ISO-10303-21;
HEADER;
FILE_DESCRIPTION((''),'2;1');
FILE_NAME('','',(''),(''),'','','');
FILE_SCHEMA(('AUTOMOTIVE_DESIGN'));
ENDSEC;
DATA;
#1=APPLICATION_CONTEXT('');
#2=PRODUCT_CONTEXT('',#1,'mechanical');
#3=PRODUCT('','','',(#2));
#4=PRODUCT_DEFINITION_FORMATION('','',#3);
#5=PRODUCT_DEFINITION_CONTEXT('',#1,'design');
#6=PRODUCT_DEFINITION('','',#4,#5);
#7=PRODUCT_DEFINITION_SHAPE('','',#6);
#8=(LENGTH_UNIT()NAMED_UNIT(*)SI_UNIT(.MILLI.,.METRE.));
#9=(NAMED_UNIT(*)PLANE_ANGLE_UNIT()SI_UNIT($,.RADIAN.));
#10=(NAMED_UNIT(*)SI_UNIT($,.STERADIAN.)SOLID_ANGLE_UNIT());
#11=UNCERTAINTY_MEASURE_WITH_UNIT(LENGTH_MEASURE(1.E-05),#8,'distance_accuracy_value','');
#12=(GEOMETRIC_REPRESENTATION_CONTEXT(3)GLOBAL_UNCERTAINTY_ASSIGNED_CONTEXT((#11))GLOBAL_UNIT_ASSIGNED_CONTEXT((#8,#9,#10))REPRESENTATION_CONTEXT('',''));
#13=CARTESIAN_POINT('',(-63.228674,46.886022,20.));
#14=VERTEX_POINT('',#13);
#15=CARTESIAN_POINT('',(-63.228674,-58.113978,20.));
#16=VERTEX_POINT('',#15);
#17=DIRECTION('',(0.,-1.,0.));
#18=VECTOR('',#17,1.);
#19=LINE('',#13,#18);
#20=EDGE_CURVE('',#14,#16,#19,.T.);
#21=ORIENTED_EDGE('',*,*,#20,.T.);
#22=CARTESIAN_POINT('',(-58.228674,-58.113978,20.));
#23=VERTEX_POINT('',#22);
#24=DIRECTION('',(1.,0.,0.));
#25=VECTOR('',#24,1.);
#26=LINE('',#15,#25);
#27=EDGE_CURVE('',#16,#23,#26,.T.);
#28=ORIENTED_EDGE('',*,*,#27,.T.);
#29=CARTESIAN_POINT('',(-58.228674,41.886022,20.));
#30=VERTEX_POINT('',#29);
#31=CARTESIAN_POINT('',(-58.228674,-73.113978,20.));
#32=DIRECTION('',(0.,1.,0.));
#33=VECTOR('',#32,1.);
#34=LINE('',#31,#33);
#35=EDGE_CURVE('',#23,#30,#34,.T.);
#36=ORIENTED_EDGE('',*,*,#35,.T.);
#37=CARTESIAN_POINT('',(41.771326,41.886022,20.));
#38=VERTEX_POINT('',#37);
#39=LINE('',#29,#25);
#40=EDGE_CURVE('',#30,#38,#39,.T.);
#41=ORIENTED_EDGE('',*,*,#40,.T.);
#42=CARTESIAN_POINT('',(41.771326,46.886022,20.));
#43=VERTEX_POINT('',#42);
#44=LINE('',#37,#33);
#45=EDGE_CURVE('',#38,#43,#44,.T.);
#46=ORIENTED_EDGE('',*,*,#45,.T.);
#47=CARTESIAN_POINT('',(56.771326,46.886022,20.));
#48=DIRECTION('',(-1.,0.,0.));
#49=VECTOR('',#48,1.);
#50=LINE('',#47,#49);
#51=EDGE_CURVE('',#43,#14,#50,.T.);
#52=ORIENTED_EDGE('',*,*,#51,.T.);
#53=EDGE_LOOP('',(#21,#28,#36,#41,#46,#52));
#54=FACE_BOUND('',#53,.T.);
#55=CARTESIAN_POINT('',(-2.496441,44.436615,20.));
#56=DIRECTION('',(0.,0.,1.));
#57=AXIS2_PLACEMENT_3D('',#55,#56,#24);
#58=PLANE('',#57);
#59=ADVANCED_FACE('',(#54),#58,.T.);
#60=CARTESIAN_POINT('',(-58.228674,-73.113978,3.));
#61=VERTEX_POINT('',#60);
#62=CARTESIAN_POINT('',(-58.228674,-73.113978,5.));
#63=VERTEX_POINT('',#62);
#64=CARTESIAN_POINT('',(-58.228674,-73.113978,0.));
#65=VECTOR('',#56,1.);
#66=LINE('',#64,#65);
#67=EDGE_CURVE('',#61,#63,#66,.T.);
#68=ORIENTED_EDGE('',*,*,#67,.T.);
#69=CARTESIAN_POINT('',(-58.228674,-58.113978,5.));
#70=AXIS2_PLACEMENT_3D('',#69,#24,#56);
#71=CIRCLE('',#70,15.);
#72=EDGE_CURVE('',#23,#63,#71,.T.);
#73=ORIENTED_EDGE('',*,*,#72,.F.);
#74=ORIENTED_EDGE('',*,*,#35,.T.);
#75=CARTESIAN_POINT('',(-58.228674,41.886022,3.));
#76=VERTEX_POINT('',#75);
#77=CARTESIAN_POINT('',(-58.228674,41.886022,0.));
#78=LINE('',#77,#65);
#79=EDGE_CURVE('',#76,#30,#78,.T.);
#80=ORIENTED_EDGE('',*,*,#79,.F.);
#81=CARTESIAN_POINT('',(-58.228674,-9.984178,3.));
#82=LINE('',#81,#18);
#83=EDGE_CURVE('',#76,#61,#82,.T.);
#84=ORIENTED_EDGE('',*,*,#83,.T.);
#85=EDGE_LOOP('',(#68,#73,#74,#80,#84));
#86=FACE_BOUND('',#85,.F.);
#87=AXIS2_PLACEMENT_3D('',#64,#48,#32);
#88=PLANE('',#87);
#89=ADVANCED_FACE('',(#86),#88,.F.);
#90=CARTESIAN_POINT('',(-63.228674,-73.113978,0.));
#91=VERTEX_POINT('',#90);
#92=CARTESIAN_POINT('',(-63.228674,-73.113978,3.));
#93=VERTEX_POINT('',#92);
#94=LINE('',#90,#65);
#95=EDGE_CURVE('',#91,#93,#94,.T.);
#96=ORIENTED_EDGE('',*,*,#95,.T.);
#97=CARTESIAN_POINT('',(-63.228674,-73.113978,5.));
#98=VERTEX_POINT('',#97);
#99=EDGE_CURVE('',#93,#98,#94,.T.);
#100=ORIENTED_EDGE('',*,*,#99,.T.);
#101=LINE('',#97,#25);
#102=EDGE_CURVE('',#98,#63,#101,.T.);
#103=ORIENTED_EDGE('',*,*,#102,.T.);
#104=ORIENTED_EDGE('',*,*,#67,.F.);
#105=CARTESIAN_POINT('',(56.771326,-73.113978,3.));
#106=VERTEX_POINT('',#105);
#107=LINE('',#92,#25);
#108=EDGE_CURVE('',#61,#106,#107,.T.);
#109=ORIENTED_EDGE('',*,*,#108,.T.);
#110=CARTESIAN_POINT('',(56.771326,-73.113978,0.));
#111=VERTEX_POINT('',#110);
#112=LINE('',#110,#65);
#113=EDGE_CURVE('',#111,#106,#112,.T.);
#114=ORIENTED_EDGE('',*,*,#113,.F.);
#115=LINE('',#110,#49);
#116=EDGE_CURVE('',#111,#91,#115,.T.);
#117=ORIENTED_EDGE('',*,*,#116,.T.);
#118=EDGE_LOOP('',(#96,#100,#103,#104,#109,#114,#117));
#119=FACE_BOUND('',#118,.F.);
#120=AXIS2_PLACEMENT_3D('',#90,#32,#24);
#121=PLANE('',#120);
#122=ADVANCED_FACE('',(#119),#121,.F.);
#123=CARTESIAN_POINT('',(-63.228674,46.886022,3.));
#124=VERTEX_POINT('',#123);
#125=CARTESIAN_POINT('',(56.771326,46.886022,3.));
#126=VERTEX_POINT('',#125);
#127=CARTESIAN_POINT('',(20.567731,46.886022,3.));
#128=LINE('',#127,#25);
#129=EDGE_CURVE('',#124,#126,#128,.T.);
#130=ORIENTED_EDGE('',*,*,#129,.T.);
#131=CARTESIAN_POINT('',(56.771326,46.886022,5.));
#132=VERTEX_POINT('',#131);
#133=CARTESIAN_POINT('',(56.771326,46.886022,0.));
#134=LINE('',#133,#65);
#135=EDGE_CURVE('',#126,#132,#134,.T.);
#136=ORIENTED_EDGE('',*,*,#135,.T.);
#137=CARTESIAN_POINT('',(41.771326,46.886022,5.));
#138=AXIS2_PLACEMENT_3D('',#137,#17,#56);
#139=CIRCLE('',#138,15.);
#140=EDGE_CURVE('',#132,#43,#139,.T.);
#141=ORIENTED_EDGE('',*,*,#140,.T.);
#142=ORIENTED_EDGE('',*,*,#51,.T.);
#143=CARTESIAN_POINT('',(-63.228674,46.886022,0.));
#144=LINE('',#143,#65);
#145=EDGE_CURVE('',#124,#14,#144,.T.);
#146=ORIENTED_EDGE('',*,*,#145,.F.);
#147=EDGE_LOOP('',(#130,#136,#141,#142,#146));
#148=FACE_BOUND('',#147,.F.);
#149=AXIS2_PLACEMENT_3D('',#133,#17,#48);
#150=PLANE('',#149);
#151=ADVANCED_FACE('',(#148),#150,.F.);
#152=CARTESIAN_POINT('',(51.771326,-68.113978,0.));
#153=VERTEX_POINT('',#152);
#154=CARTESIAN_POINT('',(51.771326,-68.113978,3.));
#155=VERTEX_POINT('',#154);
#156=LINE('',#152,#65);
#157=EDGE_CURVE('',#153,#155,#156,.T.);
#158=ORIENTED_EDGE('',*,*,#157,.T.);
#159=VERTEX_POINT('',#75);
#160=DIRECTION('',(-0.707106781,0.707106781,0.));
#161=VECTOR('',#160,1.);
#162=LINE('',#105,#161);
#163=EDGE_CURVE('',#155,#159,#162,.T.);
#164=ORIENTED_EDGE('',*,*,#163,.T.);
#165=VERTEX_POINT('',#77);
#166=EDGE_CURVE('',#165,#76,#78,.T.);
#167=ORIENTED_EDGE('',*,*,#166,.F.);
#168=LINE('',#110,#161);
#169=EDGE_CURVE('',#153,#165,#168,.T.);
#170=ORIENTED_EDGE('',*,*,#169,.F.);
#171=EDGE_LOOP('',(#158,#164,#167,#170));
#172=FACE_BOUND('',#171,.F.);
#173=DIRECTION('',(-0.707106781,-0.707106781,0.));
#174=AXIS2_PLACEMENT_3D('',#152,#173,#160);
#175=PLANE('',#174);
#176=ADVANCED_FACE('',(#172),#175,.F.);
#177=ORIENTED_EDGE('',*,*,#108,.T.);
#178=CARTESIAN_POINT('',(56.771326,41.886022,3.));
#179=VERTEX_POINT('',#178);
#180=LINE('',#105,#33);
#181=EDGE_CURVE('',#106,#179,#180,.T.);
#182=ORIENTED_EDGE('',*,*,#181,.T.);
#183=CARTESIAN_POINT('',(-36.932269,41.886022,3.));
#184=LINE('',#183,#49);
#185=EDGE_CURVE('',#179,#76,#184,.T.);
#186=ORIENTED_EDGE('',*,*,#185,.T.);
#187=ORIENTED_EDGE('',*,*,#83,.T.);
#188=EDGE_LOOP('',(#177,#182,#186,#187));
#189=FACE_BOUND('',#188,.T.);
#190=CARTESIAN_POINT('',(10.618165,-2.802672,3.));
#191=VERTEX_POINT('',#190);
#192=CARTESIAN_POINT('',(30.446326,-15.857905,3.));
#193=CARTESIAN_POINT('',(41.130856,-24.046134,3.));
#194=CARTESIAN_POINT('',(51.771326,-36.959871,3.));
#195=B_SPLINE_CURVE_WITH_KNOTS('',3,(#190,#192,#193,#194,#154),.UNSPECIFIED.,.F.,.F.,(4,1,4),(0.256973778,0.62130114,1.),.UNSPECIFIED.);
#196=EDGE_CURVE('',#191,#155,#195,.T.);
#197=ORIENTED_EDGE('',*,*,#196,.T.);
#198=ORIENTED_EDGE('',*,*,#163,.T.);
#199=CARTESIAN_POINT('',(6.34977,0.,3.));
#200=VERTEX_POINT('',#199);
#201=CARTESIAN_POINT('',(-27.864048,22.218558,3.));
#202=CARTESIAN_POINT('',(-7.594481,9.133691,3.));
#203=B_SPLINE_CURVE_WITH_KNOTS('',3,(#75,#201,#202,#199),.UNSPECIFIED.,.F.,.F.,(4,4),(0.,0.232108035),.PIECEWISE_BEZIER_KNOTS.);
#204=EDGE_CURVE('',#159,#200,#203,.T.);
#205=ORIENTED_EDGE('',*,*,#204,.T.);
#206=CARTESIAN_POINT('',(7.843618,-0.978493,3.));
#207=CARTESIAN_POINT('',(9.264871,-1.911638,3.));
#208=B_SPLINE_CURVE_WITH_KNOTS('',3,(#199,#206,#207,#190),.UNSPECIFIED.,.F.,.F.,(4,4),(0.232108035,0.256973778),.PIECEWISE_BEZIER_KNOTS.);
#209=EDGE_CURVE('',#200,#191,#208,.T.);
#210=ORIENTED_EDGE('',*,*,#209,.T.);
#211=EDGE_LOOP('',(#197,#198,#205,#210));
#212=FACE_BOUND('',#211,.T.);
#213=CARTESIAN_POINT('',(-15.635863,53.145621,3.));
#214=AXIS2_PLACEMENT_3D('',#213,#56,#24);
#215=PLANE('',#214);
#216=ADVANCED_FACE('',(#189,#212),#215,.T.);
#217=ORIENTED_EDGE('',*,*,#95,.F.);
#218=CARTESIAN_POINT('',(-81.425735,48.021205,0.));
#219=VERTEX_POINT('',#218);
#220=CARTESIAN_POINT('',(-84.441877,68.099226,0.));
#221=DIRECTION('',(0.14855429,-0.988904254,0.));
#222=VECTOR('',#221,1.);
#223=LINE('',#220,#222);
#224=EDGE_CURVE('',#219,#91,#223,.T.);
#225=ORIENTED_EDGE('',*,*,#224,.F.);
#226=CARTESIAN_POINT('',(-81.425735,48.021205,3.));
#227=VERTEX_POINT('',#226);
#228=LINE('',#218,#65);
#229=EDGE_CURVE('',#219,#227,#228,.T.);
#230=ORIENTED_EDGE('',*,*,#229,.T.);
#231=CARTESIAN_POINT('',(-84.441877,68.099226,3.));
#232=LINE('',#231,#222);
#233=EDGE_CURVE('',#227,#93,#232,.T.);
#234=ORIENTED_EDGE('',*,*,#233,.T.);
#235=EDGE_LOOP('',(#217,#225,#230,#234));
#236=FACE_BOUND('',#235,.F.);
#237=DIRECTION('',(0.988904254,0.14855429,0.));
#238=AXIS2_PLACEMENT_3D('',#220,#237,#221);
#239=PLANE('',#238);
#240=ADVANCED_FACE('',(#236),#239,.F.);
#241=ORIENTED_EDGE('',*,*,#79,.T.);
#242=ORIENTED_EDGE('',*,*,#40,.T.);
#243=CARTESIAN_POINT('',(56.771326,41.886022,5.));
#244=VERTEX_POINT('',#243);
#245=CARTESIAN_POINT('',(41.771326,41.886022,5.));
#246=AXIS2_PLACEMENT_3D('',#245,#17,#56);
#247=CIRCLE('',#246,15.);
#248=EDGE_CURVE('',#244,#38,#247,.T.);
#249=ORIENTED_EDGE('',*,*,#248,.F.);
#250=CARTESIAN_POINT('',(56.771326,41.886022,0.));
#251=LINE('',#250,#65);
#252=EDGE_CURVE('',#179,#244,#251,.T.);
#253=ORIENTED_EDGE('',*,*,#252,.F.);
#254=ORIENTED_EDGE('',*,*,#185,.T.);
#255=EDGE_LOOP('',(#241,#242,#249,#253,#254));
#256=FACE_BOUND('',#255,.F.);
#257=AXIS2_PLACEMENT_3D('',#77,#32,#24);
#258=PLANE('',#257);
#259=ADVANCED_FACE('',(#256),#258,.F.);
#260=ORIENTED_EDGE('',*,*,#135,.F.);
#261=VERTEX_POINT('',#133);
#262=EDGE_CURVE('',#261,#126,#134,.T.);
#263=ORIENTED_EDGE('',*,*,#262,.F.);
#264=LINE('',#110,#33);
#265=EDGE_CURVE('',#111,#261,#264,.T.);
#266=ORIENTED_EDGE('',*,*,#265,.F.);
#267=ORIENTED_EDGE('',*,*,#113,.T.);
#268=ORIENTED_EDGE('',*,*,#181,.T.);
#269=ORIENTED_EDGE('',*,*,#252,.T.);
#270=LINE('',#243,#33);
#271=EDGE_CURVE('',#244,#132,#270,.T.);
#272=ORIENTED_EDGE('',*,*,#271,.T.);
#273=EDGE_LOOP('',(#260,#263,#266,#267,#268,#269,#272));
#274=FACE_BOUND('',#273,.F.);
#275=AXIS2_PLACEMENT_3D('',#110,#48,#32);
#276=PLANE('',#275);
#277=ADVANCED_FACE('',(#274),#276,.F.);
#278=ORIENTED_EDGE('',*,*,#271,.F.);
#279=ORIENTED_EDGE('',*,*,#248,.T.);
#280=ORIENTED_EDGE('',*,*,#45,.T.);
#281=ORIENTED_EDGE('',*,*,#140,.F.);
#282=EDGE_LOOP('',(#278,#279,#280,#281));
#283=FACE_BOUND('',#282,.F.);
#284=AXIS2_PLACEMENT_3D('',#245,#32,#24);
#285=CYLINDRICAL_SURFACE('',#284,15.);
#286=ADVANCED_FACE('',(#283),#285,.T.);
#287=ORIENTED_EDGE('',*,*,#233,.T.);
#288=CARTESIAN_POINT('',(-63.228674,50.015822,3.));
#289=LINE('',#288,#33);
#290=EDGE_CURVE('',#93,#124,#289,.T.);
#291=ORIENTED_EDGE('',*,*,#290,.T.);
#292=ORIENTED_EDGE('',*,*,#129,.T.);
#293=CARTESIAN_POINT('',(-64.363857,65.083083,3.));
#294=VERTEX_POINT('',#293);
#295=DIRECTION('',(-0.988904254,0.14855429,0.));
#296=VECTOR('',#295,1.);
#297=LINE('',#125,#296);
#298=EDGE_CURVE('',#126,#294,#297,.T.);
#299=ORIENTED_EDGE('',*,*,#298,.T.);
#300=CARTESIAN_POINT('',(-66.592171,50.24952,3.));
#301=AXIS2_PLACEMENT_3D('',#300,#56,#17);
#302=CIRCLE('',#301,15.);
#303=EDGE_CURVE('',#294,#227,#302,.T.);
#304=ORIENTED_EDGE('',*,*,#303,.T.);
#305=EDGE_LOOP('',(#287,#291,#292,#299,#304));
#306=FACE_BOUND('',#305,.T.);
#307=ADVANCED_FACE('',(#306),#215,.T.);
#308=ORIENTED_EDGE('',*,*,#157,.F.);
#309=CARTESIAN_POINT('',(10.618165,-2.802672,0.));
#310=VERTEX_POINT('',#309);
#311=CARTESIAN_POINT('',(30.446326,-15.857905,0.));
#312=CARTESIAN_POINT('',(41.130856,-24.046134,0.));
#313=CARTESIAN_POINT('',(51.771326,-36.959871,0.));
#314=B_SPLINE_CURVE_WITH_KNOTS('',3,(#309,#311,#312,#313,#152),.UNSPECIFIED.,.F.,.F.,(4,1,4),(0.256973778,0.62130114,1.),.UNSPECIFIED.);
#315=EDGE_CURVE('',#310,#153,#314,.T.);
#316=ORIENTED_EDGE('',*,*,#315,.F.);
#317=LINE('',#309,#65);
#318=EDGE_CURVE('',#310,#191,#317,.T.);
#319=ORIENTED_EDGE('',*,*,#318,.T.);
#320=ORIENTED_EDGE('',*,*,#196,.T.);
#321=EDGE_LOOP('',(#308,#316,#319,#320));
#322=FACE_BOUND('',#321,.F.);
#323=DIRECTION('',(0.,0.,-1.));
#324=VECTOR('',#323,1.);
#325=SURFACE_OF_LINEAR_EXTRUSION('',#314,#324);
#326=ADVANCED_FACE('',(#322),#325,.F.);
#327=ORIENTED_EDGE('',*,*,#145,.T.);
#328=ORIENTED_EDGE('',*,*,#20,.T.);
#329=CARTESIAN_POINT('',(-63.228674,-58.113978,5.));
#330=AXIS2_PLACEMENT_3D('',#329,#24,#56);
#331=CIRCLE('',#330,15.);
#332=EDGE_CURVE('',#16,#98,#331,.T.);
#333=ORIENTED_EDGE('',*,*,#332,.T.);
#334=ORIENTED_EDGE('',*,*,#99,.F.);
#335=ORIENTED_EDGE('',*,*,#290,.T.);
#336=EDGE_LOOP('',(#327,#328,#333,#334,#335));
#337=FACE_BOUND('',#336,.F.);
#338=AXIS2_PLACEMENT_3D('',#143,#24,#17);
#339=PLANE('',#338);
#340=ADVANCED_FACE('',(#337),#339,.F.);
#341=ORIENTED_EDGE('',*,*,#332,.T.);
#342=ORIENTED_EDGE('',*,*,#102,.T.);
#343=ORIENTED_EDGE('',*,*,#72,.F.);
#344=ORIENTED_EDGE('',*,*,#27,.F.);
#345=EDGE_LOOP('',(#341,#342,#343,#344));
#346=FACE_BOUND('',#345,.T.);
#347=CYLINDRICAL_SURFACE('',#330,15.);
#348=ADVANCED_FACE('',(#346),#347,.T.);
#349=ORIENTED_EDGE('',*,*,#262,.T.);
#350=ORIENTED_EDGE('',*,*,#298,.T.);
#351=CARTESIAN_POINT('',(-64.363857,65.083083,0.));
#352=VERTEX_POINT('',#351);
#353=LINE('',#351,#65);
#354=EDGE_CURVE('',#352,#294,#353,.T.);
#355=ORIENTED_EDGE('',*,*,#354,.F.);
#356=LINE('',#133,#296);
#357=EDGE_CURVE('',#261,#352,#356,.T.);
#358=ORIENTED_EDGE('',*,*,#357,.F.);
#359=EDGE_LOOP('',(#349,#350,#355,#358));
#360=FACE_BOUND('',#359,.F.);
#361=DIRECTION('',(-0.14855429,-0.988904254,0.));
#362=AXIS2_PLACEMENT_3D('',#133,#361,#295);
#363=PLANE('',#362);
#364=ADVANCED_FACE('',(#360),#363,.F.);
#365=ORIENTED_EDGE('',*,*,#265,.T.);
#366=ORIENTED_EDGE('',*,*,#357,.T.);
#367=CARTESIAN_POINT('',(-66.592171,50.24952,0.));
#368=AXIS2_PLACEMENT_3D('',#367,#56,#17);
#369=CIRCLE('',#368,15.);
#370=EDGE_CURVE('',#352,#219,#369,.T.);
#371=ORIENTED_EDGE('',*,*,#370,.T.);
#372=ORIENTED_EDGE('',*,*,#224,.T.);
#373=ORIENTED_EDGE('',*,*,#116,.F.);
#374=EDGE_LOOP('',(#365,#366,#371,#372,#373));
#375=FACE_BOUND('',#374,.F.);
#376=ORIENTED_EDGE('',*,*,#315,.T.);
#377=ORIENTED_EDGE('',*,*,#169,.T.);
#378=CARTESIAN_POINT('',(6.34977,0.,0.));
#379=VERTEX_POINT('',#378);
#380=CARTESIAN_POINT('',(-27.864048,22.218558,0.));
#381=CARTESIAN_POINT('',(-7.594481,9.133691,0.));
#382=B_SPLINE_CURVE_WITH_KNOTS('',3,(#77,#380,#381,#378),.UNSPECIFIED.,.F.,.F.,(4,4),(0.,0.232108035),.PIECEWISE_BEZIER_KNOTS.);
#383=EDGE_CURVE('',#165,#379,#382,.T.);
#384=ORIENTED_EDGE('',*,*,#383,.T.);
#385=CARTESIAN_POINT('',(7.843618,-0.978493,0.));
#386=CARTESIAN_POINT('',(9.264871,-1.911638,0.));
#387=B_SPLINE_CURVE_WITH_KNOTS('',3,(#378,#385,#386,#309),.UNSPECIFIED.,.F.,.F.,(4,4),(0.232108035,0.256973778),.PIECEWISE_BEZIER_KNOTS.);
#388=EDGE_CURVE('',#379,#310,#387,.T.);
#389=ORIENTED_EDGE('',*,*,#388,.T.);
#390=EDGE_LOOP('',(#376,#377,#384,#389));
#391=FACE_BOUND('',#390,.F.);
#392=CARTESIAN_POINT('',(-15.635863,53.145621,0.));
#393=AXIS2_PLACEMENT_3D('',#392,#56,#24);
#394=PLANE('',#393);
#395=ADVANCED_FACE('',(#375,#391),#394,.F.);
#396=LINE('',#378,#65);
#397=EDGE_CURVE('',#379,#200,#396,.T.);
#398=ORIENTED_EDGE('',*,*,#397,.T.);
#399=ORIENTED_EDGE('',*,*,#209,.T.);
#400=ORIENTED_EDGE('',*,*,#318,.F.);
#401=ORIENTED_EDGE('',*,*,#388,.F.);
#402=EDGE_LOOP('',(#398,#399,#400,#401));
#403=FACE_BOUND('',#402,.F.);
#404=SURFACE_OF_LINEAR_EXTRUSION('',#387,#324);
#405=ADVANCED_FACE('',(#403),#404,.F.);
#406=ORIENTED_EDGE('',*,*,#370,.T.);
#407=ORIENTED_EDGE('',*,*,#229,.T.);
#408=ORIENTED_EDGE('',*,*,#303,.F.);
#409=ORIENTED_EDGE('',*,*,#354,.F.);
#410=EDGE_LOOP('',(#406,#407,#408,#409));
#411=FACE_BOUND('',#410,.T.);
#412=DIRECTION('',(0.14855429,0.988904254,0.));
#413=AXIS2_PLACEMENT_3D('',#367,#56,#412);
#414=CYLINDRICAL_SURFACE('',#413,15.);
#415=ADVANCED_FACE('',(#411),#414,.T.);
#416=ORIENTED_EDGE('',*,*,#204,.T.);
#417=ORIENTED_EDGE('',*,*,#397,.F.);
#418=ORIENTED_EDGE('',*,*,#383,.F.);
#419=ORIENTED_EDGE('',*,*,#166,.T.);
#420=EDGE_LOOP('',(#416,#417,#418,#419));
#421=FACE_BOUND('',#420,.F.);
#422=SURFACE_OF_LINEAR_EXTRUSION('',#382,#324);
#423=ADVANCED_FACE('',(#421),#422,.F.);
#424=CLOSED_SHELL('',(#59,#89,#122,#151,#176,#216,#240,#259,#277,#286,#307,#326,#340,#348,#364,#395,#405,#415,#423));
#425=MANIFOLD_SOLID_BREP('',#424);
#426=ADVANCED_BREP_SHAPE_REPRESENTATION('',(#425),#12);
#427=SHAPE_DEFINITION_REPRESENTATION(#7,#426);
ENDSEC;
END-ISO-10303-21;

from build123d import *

# Parameters (mm, degrees)
F1_DEPTH = 3
F2_DEPTH = 20
F3_R     = 15


with BuildPart() as f1:
    # F0 (on Top) → F1 (new body)
    with BuildSketch(Plane.XY):
        Polygon((-84.4418774851, 68.0992258621), (-63.2286740495, 46.8860224265), (56.7713259505, 46.8860224265), align=None)
        Polygon((-63.2286740495, -73.1139775735), (-63.2286740495, 46.8860224265), (-84.4418774851, 68.0992258621), align=None)
        Polygon((-4.9964410025, -11.3462106205), (-58.2286740495, 41.8860224265), (-58.2286740495, -64.5784436676), align=None)
        with BuildLine():
            Line((48.2357920445, 41.8860224265), (-58.2286740495, 41.8860224265))
            add(Edge.make_bspline(
                [(-58.2286740495, 41.8860224265), (-27.8640476191, 22.2185579574), (-7.5944812554, 9.133690918), (6.3497696181, 0)],
                knots=[0, 0, 0, 0, 0.2321080347, 0.2321080347, 0.2321080347, 0.2321080347], degree=3))
            Line((6.3497696181, 0), (48.2357920445, 41.8860224265))
        make_face()
        Polygon((56.7713259505, 46.8860224265), (-63.2286740495, 46.8860224265), (-58.2286740495, 41.8860224265), (48.2357920445, 41.8860224265), (51.7713259505, 41.8860224265), (56.7713259505, 41.8860224265), align=None)
        Polygon((-58.2286740495, 41.8860224265), (-63.2286740495, 46.8860224265), (-63.2286740495, -73.1139775735), (-58.2286740495, -73.1139775735), (-58.2286740495, -68.1139775735), (-58.2286740495, -64.5784436676), align=None)
        Polygon((-1.4609070965, -14.8817445265), (-4.9964410025, -11.3462106205), (-58.2286740495, -64.5784436676), (-58.2286740495, -68.1139775735), (-54.6931401436, -68.1139775735), align=None)
        Polygon((51.7713259505, -68.1139775735), (-1.4609070965, -14.8817445265), (-54.6931401436, -68.1139775735), align=None)
        Polygon((-58.2286740495, -68.1139775735), (-58.2286740495, -73.1139775735), (56.7713259505, -73.1139775735), (51.7713259505, -68.1139775735), (-54.6931401436, -68.1139775735), align=None)
        Polygon((56.7713259505, -73.1139775735), (56.7713259505, 41.8860224265), (51.7713259505, 41.8860224265), (51.7713259505, 38.3504885206), (51.7713259505, -68.1139775735), align=None)
        with BuildLine():
            Line((51.7713259505, 38.3504885206), (10.6181651037, -2.8026723262))
            add(Edge.make_bspline(
                [(10.6181651037, -2.8026723262), (30.4463258159, -15.8579047438), (41.1308559966, -24.0461336089), (51.7713259505, -36.9598713142), (51.7713259505, -68.1139775735)],
                knots=[0.2569737781, 0.2569737781, 0.2569737781, 0.2569737781, 0.6213011396, 1, 1, 1, 1], degree=3))
            Line((51.7713259505, -68.1139775735), (51.7713259505, 38.3504885206))
        make_face()
        with BuildLine():
            Line((51.7713259505, 41.8860224265), (48.2357920445, 41.8860224265))
            Line((48.2357920445, 41.8860224265), (6.3497696181, 0))
            add(Edge.make_bspline(
                [(6.3497696181, 0), (7.8436177985, -0.9784926908), (9.2648713079, -1.9116383422), (10.6181651037, -2.8026723262)],
                knots=[0.2321080347, 0.2321080347, 0.2321080347, 0.2321080347, 0.2569737781, 0.2569737781, 0.2569737781, 0.2569737781], degree=3))
            Line((10.6181651037, -2.8026723262), (51.7713259505, 38.3504885206))
            Line((51.7713259505, 38.3504885206), (51.7713259505, 41.8860224265))
        make_face()
    extrude(amount=F1_DEPTH)

    # F0 (on Top) → F2 (join)
    with BuildSketch(Plane.XY):
        Polygon((56.7713259505, 46.8860224265), (-63.2286740495, 46.8860224265), (-58.2286740495, 41.8860224265), (48.2357920445, 41.8860224265), (51.7713259505, 41.8860224265), (56.7713259505, 41.8860224265), align=None)
        Polygon((-58.2286740495, 41.8860224265), (-63.2286740495, 46.8860224265), (-63.2286740495, -73.1139775735), (-58.2286740495, -73.1139775735), (-58.2286740495, -68.1139775735), (-58.2286740495, -64.5784436676), align=None)
    extrude(amount=F2_DEPTH)

    # F3
    f3_edges = [f1.edges().sort_by_distance(p)[0] for p in [
        (-60.728674, -73.113978, 20),
        (56.771326, 44.386022, 20),
        (-84.441877, 68.099226, 1.5),
    ]]
    fillet(f3_edges, radius=F3_R)


solid = f1.part
